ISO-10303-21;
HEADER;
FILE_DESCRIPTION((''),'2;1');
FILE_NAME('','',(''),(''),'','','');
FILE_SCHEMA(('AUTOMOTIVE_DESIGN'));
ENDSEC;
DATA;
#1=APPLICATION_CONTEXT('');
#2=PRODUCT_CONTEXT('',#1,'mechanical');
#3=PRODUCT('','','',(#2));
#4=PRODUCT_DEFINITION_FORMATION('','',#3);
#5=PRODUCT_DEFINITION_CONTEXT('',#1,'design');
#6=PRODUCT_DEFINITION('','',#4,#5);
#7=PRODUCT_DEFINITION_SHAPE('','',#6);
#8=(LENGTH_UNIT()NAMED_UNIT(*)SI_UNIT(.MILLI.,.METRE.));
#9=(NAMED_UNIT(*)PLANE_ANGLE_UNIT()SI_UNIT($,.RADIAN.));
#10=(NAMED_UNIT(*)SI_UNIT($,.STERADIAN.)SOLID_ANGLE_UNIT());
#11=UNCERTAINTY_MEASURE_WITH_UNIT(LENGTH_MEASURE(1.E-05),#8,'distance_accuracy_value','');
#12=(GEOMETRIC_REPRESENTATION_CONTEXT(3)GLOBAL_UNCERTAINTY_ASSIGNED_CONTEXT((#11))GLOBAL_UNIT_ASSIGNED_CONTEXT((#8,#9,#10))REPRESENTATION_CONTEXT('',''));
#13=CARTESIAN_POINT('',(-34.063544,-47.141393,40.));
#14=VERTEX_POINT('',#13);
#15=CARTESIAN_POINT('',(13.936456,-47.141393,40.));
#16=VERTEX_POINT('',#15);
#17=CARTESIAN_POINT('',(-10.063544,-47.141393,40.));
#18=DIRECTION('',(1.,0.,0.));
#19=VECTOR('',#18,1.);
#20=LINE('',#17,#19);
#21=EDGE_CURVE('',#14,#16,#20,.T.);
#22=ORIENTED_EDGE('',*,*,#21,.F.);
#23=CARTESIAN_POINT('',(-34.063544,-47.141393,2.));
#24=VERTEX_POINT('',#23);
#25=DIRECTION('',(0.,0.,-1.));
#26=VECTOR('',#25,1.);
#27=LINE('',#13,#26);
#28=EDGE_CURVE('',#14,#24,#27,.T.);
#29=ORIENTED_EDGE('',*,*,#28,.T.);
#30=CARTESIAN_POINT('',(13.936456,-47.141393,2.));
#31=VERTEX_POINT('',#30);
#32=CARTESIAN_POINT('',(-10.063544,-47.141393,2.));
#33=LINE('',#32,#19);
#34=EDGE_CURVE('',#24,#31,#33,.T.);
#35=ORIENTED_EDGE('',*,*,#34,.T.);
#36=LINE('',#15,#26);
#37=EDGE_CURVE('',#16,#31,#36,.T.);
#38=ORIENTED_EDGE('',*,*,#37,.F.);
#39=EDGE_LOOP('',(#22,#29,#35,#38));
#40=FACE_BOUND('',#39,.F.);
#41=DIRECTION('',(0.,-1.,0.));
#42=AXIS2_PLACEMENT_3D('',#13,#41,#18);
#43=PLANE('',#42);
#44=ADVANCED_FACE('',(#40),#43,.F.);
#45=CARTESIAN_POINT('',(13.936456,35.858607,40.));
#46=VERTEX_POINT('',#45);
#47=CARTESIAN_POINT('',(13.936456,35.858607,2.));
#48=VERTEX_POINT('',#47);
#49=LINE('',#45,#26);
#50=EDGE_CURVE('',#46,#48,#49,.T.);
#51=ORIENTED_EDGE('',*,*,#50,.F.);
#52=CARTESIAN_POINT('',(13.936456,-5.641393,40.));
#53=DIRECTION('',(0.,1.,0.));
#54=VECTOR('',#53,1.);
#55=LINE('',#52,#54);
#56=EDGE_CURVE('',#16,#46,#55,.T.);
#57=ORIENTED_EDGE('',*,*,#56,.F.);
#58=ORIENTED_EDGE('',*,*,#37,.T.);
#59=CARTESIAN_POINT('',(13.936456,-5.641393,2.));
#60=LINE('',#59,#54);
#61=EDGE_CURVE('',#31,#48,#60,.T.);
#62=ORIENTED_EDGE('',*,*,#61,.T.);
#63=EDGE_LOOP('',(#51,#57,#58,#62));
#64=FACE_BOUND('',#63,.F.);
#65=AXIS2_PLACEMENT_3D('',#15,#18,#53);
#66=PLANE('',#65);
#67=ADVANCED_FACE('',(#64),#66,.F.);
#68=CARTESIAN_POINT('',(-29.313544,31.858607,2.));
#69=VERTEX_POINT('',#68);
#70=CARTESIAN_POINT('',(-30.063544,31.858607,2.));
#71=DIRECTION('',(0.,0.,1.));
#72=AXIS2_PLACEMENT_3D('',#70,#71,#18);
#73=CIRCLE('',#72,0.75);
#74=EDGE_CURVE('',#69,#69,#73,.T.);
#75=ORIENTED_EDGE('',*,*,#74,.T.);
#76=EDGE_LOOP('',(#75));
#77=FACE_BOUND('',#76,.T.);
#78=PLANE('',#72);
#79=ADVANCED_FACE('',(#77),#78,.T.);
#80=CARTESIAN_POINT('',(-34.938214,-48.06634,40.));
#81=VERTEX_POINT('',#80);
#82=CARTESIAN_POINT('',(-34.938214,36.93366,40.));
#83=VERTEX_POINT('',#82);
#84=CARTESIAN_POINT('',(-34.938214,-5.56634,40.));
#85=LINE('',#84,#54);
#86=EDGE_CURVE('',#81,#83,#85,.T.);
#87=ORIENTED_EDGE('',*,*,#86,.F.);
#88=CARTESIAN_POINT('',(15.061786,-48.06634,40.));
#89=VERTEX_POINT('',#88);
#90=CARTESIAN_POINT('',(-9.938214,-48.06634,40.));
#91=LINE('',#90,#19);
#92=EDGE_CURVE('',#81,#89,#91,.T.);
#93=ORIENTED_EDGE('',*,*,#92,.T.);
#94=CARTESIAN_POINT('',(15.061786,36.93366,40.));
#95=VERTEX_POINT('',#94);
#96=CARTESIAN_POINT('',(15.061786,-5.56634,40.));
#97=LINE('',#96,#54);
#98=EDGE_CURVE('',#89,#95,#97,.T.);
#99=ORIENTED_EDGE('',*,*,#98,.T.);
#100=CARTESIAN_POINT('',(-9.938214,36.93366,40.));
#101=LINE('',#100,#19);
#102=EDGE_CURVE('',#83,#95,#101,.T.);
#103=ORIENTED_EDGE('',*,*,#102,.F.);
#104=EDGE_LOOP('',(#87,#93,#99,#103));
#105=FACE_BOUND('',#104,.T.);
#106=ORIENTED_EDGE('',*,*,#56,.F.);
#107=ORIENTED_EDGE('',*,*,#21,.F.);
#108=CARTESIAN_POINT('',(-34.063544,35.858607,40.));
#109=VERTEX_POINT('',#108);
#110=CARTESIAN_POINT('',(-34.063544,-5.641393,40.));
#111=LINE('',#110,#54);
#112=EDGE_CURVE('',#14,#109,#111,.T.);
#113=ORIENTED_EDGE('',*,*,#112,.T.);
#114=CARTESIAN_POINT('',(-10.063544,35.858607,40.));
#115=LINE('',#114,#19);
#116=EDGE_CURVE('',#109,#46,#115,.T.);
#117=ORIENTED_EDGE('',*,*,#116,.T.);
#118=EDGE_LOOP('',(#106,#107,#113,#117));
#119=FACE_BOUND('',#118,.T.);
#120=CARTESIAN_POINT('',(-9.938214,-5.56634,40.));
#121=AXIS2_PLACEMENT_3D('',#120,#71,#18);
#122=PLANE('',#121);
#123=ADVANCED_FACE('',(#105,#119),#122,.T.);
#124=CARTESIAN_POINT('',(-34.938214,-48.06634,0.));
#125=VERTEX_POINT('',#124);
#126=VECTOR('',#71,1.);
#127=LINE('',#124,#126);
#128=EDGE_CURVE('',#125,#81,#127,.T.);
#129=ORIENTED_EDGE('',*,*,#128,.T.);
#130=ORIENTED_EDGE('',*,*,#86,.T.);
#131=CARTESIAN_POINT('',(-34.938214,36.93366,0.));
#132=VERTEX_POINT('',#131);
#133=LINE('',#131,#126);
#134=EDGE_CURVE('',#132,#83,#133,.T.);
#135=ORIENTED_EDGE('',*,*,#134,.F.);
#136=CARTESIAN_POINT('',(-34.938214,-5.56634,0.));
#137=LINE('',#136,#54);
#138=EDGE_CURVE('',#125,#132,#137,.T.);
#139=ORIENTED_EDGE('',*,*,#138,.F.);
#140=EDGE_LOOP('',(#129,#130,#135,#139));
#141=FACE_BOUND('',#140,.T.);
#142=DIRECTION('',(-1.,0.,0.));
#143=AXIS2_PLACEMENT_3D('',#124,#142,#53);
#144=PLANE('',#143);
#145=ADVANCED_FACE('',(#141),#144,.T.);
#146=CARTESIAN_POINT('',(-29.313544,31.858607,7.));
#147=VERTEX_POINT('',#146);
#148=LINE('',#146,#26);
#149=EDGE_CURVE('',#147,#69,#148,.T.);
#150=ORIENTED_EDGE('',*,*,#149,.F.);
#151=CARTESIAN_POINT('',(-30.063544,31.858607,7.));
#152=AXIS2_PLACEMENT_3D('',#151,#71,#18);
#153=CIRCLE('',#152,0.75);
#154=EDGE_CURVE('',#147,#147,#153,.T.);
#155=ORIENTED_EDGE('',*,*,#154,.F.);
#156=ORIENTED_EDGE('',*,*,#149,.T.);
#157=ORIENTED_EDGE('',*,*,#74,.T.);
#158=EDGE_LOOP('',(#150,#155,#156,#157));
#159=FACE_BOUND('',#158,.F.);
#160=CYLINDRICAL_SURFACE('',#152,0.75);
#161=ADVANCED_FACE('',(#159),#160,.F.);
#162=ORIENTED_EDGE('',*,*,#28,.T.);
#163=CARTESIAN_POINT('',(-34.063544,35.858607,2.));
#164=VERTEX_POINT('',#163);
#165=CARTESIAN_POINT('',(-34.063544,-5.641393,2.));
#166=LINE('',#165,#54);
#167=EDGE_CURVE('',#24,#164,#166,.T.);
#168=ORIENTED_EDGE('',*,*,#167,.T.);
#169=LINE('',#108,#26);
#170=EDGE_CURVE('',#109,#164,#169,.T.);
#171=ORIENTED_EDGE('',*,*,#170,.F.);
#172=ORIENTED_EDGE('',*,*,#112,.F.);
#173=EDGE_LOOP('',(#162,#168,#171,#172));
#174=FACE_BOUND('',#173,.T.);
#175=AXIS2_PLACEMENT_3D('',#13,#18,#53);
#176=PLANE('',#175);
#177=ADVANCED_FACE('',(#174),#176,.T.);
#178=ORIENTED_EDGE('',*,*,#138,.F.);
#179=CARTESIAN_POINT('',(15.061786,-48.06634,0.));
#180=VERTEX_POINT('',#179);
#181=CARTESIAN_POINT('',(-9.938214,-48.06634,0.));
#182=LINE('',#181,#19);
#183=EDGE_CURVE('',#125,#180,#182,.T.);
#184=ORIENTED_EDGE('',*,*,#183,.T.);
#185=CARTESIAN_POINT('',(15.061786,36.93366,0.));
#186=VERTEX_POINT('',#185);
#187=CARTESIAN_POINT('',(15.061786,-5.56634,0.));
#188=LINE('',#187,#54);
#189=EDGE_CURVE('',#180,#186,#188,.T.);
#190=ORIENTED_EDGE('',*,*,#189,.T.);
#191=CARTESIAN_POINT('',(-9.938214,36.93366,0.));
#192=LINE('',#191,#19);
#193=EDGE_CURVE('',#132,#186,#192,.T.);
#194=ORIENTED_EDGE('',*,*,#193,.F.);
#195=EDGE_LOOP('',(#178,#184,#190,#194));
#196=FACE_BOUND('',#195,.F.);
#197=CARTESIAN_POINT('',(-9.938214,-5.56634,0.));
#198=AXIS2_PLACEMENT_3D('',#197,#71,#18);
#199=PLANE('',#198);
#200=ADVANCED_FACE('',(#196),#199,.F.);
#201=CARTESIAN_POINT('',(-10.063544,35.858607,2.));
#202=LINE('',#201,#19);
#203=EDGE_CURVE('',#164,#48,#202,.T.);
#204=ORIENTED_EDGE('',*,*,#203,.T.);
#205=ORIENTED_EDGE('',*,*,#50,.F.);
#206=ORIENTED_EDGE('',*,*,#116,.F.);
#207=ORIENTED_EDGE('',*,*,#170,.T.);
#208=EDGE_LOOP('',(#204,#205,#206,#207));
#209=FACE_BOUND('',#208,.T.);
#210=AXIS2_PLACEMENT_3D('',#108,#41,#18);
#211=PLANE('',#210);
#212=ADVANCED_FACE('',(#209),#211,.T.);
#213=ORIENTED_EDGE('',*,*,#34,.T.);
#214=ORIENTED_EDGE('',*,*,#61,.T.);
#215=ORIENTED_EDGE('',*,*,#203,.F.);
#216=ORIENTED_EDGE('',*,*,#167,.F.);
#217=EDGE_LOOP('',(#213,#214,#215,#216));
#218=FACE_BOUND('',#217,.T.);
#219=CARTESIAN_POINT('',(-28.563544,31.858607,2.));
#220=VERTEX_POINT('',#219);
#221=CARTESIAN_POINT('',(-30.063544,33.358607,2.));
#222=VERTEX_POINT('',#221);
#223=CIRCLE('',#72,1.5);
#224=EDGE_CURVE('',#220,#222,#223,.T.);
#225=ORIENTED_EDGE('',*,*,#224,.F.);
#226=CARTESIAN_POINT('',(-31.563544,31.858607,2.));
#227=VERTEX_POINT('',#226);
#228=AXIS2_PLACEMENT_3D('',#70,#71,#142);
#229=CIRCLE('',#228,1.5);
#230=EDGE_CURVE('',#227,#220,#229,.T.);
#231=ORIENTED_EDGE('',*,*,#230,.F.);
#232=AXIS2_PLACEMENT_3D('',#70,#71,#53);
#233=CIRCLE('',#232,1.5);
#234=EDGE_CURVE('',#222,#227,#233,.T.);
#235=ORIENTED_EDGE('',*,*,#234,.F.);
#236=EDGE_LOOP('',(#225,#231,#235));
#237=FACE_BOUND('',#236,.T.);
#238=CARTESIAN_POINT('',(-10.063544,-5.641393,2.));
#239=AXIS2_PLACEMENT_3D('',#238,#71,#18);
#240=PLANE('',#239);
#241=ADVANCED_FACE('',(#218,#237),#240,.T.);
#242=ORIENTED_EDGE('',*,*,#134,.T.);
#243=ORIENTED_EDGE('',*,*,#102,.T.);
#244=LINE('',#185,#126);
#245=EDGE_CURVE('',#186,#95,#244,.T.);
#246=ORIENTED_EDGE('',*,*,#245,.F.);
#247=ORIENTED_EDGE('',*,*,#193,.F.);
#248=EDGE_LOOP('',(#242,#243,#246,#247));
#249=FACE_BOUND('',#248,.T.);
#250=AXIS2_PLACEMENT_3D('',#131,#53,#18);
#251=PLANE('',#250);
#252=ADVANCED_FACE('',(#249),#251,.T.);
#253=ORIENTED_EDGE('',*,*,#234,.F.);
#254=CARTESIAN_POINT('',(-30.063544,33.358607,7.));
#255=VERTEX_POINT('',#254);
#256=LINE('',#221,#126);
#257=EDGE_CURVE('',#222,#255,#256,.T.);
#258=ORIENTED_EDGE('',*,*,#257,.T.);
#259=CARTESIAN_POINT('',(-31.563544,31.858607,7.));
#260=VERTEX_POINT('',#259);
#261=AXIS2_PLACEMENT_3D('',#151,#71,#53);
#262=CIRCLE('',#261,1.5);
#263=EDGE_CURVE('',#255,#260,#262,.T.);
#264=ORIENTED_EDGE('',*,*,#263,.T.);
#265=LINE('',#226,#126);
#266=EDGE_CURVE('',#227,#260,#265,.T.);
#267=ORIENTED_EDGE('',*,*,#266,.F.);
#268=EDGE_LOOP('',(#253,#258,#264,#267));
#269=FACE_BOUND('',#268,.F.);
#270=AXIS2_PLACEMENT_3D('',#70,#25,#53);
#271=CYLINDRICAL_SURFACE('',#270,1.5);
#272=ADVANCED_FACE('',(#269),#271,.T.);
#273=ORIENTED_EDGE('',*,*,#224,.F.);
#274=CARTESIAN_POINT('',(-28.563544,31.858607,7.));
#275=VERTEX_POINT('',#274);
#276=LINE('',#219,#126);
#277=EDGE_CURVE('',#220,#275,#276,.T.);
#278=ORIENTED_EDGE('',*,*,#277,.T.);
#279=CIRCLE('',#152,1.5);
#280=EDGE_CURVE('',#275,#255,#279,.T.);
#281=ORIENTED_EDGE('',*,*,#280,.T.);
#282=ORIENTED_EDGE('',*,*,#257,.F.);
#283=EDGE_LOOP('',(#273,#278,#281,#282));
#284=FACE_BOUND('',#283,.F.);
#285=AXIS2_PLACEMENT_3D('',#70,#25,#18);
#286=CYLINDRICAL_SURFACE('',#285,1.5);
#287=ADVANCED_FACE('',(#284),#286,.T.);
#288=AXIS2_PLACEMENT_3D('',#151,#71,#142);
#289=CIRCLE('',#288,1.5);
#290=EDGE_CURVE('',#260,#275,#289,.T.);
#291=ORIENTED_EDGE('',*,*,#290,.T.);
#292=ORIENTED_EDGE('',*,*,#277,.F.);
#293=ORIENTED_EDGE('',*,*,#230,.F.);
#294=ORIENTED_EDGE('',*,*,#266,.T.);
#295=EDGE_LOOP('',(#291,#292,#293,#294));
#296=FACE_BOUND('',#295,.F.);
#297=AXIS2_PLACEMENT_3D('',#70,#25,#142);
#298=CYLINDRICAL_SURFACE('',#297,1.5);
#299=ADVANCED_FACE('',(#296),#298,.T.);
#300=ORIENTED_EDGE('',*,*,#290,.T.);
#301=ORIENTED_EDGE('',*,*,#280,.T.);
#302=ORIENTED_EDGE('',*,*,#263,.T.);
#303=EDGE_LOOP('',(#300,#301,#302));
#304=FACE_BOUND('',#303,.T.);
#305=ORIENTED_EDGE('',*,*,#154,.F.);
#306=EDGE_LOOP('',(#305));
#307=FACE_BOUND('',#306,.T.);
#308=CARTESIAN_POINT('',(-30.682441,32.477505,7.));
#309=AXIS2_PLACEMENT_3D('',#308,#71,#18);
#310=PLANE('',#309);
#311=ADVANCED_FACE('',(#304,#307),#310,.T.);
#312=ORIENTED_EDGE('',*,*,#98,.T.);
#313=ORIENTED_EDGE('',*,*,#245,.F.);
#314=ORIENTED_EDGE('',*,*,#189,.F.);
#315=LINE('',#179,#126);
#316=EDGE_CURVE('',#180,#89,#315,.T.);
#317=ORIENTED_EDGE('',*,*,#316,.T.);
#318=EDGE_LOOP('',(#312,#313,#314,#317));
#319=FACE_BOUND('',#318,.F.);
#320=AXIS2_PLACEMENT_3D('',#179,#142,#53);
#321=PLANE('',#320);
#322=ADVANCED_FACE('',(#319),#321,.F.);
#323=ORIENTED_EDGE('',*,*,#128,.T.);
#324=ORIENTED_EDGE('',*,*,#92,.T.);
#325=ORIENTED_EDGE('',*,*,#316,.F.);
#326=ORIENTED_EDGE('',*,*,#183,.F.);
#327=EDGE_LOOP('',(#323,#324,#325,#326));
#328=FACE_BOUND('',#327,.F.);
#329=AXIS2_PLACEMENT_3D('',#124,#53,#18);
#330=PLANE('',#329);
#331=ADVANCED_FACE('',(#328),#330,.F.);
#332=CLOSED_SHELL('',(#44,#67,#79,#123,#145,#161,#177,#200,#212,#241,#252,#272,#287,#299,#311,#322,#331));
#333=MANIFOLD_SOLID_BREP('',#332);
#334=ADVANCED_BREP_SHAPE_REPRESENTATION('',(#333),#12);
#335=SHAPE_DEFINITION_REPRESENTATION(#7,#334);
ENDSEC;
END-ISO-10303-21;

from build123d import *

# Parameters (mm, degrees)
F0_W     = 50
F0_H     = 85
F1_DEPTH = 40
F2_W     = 48
F2_H     = 83
F3_DEPTH = 38
F5_DEPTH = 5
F6_R     = 0.75
F7_DEPTH = 5


with BuildPart() as f1:
    # F0 (on Top) → F1 (new body)
    with BuildSketch(Plane.XY):
        with Locations((-9.93821384, -5.5663399398)):
            Rectangle(F0_W, F0_H)
    extrude(amount=F1_DEPTH)

    # F2 (on face) → F3 (cut)
    with BuildSketch(Plane.XY.offset(40)):
        with Locations((-10.0635439157, -5.6413925663)):
            Rectangle(F2_W, F2_H)
    extrude(amount=-F3_DEPTH, mode=Mode.SUBTRACT)

    # F4 (on face) → F5 (join)
    with BuildSketch(Plane.XY.offset(2)):
        with BuildLine():
            Line((-30.0635439157, 31.8586074337), (-30.0635439157, 33.3586074337))
            ThreePointArc((-30.0635439157, 33.3586074337), (-31.1242040875, 32.9192676054), (-31.5635439157, 31.8586074337))
            Line((-31.5635439157, 31.8586074337), (-30.0635439157, 31.8586074337))
        make_face()
        with BuildLine():
            ThreePointArc((-31.5635439157, 31.8586074337), (-30.0635439157, 30.3586074337), (-28.5635439157, 31.8586074337))
            ThreePointArc((-28.5635439157, 31.8586074337), (-29.002883744, 32.9192676054), (-30.0635439157, 33.3586074337))
            Line((-30.0635439157, 33.3586074337), (-30.0635439157, 31.8586074337))
            Line((-30.0635439157, 31.8586074337), (-31.5635439157, 31.8586074337))
        make_face()
    extrude(amount=F5_DEPTH)

    # F6 (on face) → F7 (cut)
    with BuildSketch(Plane.XY.offset(7)):
        with Locations((-30.0635439157, 31.8586074337)):
            Circle(F6_R)
    extrude(amount=-F7_DEPTH, mode=Mode.SUBTRACT)


solid = f1.part
